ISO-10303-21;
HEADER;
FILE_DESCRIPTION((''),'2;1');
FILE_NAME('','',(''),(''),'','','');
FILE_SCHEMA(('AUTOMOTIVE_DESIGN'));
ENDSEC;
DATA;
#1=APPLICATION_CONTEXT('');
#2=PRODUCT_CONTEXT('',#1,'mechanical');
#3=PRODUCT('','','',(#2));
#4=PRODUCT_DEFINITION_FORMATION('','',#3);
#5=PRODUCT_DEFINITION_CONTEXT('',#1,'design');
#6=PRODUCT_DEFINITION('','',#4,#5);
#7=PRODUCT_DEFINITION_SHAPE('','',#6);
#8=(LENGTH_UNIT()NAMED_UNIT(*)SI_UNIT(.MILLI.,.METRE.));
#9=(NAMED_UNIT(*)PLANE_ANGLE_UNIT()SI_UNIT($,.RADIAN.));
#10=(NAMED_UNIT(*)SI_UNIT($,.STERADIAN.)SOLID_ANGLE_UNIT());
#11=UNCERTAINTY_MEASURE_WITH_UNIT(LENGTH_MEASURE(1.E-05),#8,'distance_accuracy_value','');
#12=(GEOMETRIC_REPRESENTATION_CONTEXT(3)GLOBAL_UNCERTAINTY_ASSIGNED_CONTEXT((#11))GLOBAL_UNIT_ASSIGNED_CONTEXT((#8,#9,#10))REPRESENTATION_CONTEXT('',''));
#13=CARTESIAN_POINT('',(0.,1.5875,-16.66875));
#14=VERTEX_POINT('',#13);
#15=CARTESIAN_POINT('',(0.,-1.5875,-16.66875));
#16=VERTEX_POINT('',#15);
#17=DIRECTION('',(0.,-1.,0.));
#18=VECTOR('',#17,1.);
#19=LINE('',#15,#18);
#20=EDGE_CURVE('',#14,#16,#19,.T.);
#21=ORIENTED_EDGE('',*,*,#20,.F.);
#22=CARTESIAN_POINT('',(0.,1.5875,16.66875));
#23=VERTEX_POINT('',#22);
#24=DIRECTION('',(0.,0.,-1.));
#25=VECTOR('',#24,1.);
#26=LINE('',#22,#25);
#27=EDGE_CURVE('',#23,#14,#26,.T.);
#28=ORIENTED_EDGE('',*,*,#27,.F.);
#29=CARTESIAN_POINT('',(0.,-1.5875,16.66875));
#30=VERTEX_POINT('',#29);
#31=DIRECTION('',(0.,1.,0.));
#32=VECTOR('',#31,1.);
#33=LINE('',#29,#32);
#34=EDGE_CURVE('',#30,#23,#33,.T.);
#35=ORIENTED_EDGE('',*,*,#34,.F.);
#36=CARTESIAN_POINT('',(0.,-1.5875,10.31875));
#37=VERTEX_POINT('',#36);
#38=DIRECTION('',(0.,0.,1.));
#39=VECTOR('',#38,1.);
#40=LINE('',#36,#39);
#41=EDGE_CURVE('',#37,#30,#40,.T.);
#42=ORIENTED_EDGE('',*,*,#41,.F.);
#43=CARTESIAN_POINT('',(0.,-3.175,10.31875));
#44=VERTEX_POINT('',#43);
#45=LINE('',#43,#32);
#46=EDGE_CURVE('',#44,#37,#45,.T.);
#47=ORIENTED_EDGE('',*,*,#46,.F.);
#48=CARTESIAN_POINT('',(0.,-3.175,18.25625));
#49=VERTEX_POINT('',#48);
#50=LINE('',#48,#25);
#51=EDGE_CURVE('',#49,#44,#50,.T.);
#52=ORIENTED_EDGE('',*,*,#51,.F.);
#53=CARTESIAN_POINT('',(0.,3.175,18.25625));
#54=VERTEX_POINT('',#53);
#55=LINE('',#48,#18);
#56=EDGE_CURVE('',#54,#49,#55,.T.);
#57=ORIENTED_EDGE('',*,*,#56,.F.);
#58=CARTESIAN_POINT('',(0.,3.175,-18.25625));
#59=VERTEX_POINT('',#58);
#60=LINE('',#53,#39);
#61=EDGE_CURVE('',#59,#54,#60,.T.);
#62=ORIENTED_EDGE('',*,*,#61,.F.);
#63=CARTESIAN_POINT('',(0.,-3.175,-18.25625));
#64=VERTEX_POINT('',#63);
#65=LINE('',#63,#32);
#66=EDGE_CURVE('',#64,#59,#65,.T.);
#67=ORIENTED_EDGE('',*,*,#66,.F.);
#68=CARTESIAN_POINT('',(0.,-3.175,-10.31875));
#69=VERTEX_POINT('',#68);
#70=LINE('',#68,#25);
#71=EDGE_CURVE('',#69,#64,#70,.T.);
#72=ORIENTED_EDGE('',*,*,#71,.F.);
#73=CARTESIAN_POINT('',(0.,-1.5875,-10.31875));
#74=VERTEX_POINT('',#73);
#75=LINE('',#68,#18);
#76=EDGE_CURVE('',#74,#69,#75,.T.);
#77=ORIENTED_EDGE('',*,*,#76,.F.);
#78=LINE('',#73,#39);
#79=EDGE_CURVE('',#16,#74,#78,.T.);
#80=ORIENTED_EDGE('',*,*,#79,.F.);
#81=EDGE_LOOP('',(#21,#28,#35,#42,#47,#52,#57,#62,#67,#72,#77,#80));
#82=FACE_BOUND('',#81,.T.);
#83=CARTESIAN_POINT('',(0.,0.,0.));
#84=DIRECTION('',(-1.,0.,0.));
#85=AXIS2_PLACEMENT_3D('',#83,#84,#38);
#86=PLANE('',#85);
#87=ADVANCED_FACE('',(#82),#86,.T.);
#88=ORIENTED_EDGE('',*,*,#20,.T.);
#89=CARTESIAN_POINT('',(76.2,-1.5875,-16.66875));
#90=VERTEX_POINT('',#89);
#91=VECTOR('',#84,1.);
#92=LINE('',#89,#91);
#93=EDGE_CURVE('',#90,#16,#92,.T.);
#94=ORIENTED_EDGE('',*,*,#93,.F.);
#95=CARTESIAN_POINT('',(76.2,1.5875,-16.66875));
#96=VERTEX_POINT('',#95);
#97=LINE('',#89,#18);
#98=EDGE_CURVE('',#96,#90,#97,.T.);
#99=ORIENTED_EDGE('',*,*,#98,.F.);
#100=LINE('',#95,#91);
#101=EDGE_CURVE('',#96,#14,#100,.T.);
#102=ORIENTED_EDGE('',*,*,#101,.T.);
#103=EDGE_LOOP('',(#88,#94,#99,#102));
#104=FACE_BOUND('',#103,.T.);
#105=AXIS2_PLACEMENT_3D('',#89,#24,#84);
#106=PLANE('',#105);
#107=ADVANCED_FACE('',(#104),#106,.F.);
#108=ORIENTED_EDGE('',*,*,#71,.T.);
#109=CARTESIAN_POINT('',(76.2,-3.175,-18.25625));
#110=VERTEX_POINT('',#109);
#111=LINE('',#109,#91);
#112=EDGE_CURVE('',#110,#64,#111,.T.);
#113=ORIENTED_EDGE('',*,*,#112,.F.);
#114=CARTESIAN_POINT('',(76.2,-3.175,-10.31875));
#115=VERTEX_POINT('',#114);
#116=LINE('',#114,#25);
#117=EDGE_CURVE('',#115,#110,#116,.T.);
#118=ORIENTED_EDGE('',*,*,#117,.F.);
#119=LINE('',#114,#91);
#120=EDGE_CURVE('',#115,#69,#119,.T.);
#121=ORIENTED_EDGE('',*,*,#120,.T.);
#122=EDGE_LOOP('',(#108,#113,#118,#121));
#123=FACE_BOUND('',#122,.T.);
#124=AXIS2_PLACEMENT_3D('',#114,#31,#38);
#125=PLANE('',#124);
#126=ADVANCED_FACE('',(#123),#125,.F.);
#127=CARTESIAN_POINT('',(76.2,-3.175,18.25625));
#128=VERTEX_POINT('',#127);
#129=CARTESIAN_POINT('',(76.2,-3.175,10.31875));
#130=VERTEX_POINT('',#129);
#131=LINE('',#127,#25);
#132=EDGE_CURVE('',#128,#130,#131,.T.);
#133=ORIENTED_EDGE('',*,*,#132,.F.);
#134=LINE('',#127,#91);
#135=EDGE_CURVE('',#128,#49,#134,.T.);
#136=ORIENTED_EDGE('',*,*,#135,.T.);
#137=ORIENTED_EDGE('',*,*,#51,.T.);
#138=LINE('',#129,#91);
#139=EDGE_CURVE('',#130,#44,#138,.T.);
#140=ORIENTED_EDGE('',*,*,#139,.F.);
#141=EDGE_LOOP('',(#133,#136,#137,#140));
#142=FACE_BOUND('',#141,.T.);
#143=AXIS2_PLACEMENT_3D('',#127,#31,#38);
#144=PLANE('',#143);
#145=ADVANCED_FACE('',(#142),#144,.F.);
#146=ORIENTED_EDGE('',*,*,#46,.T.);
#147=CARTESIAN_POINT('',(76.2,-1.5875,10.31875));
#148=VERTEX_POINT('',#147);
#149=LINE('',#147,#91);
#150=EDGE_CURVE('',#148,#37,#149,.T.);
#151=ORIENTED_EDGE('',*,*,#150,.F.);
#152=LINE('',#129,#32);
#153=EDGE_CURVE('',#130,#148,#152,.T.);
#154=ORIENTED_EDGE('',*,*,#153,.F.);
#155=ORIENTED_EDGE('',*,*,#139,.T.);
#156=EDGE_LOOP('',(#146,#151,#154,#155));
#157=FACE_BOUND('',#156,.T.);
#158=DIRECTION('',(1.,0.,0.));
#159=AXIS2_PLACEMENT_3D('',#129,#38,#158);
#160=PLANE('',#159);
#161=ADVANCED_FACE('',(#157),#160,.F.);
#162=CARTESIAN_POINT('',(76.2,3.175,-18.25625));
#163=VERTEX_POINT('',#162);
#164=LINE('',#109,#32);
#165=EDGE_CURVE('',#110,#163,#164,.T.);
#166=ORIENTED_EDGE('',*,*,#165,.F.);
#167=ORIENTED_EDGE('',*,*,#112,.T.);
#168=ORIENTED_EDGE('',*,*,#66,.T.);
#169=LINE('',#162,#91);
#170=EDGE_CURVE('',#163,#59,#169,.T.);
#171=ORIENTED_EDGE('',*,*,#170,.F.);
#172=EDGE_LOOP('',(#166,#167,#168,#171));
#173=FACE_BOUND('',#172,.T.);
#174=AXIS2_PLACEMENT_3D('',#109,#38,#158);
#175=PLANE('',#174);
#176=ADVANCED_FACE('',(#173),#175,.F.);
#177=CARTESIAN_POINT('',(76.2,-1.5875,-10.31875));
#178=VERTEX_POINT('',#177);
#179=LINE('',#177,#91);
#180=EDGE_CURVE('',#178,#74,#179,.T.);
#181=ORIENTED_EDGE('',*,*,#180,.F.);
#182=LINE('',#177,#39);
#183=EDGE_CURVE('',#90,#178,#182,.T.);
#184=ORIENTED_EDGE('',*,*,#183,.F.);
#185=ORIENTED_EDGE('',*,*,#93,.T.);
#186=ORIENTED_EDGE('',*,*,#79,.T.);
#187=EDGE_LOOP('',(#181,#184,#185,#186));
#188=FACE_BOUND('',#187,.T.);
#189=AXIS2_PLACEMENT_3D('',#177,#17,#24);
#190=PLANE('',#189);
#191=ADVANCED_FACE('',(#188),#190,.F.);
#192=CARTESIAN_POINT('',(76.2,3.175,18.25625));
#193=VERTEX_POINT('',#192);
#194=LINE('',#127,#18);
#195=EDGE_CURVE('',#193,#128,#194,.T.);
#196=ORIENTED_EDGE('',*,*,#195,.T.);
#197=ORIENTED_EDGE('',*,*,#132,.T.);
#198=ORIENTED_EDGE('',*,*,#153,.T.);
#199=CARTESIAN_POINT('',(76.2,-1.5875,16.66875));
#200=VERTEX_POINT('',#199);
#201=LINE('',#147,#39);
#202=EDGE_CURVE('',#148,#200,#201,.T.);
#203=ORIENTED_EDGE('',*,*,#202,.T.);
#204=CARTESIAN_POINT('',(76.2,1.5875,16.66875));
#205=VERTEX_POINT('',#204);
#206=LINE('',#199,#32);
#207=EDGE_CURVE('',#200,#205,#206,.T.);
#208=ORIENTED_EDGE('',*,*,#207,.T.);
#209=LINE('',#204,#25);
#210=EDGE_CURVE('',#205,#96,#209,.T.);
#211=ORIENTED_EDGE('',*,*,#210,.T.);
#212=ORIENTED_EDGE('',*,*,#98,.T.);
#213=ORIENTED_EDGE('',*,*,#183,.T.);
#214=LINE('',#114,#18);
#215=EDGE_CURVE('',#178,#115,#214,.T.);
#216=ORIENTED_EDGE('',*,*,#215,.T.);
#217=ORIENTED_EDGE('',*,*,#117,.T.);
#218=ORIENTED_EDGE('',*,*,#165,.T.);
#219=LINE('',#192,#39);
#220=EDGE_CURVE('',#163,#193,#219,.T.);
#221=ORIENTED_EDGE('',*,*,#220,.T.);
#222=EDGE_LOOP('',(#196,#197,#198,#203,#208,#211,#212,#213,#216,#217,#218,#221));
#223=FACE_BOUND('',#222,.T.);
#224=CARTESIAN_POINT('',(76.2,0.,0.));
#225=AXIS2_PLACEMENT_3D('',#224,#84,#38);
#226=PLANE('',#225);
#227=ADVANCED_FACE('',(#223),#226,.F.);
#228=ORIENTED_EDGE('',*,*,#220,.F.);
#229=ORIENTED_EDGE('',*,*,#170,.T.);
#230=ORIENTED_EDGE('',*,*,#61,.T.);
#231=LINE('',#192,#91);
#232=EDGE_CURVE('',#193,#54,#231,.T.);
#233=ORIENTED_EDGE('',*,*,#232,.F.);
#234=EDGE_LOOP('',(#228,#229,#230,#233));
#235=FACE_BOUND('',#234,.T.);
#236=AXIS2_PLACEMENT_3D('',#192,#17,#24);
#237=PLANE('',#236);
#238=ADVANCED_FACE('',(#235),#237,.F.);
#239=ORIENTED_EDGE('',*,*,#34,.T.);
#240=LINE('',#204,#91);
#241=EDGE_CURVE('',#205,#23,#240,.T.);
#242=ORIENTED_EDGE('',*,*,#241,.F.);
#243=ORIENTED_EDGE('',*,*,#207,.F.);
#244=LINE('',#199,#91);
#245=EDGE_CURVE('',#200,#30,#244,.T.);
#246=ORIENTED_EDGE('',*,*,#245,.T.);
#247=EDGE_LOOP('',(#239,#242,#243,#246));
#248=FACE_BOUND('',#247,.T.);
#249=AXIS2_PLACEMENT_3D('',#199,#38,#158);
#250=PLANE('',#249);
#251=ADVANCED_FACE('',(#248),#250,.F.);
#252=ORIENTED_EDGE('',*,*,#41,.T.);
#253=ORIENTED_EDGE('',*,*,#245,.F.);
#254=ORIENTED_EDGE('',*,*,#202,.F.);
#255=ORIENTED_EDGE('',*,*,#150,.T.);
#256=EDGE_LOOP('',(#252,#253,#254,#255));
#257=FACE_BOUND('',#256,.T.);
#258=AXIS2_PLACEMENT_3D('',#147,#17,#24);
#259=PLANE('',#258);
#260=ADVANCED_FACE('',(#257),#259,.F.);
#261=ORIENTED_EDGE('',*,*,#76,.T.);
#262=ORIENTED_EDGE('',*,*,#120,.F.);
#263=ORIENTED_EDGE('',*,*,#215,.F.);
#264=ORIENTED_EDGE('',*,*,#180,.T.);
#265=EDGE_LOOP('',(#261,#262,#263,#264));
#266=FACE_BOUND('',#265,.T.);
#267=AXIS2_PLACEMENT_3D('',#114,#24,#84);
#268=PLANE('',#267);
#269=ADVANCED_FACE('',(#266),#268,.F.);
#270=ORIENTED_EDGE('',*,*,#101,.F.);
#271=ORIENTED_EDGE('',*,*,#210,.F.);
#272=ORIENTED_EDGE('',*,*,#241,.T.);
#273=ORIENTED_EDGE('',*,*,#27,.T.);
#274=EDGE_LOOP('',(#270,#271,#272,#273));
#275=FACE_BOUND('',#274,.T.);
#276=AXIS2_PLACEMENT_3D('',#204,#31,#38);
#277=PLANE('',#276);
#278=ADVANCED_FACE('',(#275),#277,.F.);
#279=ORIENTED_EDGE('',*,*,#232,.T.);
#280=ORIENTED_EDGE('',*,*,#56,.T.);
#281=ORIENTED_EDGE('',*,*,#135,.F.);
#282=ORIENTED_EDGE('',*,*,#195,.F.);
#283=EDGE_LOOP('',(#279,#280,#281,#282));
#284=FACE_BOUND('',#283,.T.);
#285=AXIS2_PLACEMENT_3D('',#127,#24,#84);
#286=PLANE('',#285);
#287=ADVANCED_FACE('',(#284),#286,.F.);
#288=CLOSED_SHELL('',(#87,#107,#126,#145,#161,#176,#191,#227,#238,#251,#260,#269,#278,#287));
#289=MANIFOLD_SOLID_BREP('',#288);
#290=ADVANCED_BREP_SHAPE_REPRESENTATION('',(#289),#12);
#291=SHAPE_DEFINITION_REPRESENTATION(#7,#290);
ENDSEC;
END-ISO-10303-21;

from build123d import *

# Parameters (mm, degrees)
BOSS_EXTRUDE1_DEPTH = 76.2


with BuildPart() as part:
    # Sketch1 → Boss-Extrude1 (new body)
    with BuildSketch(Plane(origin=(0, 0, 0), x_dir=(0, 0, -1), z_dir=(1, 0, 0))):
        Polygon((10.31875, -3.175), (18.25625, -3.175), (18.25625, 3.175), (-18.25625, 3.175), (-18.25625, -3.175), (-10.31875, -3.175), (-10.31875, -1.5875), (-16.66875, -1.5875), (-16.66875, 1.5875), (16.66875, 1.5875), (16.66875, -1.5875), (10.31875, -1.5875), align=None)
    extrude(amount=BOSS_EXTRUDE1_DEPTH)


solid = part.part
